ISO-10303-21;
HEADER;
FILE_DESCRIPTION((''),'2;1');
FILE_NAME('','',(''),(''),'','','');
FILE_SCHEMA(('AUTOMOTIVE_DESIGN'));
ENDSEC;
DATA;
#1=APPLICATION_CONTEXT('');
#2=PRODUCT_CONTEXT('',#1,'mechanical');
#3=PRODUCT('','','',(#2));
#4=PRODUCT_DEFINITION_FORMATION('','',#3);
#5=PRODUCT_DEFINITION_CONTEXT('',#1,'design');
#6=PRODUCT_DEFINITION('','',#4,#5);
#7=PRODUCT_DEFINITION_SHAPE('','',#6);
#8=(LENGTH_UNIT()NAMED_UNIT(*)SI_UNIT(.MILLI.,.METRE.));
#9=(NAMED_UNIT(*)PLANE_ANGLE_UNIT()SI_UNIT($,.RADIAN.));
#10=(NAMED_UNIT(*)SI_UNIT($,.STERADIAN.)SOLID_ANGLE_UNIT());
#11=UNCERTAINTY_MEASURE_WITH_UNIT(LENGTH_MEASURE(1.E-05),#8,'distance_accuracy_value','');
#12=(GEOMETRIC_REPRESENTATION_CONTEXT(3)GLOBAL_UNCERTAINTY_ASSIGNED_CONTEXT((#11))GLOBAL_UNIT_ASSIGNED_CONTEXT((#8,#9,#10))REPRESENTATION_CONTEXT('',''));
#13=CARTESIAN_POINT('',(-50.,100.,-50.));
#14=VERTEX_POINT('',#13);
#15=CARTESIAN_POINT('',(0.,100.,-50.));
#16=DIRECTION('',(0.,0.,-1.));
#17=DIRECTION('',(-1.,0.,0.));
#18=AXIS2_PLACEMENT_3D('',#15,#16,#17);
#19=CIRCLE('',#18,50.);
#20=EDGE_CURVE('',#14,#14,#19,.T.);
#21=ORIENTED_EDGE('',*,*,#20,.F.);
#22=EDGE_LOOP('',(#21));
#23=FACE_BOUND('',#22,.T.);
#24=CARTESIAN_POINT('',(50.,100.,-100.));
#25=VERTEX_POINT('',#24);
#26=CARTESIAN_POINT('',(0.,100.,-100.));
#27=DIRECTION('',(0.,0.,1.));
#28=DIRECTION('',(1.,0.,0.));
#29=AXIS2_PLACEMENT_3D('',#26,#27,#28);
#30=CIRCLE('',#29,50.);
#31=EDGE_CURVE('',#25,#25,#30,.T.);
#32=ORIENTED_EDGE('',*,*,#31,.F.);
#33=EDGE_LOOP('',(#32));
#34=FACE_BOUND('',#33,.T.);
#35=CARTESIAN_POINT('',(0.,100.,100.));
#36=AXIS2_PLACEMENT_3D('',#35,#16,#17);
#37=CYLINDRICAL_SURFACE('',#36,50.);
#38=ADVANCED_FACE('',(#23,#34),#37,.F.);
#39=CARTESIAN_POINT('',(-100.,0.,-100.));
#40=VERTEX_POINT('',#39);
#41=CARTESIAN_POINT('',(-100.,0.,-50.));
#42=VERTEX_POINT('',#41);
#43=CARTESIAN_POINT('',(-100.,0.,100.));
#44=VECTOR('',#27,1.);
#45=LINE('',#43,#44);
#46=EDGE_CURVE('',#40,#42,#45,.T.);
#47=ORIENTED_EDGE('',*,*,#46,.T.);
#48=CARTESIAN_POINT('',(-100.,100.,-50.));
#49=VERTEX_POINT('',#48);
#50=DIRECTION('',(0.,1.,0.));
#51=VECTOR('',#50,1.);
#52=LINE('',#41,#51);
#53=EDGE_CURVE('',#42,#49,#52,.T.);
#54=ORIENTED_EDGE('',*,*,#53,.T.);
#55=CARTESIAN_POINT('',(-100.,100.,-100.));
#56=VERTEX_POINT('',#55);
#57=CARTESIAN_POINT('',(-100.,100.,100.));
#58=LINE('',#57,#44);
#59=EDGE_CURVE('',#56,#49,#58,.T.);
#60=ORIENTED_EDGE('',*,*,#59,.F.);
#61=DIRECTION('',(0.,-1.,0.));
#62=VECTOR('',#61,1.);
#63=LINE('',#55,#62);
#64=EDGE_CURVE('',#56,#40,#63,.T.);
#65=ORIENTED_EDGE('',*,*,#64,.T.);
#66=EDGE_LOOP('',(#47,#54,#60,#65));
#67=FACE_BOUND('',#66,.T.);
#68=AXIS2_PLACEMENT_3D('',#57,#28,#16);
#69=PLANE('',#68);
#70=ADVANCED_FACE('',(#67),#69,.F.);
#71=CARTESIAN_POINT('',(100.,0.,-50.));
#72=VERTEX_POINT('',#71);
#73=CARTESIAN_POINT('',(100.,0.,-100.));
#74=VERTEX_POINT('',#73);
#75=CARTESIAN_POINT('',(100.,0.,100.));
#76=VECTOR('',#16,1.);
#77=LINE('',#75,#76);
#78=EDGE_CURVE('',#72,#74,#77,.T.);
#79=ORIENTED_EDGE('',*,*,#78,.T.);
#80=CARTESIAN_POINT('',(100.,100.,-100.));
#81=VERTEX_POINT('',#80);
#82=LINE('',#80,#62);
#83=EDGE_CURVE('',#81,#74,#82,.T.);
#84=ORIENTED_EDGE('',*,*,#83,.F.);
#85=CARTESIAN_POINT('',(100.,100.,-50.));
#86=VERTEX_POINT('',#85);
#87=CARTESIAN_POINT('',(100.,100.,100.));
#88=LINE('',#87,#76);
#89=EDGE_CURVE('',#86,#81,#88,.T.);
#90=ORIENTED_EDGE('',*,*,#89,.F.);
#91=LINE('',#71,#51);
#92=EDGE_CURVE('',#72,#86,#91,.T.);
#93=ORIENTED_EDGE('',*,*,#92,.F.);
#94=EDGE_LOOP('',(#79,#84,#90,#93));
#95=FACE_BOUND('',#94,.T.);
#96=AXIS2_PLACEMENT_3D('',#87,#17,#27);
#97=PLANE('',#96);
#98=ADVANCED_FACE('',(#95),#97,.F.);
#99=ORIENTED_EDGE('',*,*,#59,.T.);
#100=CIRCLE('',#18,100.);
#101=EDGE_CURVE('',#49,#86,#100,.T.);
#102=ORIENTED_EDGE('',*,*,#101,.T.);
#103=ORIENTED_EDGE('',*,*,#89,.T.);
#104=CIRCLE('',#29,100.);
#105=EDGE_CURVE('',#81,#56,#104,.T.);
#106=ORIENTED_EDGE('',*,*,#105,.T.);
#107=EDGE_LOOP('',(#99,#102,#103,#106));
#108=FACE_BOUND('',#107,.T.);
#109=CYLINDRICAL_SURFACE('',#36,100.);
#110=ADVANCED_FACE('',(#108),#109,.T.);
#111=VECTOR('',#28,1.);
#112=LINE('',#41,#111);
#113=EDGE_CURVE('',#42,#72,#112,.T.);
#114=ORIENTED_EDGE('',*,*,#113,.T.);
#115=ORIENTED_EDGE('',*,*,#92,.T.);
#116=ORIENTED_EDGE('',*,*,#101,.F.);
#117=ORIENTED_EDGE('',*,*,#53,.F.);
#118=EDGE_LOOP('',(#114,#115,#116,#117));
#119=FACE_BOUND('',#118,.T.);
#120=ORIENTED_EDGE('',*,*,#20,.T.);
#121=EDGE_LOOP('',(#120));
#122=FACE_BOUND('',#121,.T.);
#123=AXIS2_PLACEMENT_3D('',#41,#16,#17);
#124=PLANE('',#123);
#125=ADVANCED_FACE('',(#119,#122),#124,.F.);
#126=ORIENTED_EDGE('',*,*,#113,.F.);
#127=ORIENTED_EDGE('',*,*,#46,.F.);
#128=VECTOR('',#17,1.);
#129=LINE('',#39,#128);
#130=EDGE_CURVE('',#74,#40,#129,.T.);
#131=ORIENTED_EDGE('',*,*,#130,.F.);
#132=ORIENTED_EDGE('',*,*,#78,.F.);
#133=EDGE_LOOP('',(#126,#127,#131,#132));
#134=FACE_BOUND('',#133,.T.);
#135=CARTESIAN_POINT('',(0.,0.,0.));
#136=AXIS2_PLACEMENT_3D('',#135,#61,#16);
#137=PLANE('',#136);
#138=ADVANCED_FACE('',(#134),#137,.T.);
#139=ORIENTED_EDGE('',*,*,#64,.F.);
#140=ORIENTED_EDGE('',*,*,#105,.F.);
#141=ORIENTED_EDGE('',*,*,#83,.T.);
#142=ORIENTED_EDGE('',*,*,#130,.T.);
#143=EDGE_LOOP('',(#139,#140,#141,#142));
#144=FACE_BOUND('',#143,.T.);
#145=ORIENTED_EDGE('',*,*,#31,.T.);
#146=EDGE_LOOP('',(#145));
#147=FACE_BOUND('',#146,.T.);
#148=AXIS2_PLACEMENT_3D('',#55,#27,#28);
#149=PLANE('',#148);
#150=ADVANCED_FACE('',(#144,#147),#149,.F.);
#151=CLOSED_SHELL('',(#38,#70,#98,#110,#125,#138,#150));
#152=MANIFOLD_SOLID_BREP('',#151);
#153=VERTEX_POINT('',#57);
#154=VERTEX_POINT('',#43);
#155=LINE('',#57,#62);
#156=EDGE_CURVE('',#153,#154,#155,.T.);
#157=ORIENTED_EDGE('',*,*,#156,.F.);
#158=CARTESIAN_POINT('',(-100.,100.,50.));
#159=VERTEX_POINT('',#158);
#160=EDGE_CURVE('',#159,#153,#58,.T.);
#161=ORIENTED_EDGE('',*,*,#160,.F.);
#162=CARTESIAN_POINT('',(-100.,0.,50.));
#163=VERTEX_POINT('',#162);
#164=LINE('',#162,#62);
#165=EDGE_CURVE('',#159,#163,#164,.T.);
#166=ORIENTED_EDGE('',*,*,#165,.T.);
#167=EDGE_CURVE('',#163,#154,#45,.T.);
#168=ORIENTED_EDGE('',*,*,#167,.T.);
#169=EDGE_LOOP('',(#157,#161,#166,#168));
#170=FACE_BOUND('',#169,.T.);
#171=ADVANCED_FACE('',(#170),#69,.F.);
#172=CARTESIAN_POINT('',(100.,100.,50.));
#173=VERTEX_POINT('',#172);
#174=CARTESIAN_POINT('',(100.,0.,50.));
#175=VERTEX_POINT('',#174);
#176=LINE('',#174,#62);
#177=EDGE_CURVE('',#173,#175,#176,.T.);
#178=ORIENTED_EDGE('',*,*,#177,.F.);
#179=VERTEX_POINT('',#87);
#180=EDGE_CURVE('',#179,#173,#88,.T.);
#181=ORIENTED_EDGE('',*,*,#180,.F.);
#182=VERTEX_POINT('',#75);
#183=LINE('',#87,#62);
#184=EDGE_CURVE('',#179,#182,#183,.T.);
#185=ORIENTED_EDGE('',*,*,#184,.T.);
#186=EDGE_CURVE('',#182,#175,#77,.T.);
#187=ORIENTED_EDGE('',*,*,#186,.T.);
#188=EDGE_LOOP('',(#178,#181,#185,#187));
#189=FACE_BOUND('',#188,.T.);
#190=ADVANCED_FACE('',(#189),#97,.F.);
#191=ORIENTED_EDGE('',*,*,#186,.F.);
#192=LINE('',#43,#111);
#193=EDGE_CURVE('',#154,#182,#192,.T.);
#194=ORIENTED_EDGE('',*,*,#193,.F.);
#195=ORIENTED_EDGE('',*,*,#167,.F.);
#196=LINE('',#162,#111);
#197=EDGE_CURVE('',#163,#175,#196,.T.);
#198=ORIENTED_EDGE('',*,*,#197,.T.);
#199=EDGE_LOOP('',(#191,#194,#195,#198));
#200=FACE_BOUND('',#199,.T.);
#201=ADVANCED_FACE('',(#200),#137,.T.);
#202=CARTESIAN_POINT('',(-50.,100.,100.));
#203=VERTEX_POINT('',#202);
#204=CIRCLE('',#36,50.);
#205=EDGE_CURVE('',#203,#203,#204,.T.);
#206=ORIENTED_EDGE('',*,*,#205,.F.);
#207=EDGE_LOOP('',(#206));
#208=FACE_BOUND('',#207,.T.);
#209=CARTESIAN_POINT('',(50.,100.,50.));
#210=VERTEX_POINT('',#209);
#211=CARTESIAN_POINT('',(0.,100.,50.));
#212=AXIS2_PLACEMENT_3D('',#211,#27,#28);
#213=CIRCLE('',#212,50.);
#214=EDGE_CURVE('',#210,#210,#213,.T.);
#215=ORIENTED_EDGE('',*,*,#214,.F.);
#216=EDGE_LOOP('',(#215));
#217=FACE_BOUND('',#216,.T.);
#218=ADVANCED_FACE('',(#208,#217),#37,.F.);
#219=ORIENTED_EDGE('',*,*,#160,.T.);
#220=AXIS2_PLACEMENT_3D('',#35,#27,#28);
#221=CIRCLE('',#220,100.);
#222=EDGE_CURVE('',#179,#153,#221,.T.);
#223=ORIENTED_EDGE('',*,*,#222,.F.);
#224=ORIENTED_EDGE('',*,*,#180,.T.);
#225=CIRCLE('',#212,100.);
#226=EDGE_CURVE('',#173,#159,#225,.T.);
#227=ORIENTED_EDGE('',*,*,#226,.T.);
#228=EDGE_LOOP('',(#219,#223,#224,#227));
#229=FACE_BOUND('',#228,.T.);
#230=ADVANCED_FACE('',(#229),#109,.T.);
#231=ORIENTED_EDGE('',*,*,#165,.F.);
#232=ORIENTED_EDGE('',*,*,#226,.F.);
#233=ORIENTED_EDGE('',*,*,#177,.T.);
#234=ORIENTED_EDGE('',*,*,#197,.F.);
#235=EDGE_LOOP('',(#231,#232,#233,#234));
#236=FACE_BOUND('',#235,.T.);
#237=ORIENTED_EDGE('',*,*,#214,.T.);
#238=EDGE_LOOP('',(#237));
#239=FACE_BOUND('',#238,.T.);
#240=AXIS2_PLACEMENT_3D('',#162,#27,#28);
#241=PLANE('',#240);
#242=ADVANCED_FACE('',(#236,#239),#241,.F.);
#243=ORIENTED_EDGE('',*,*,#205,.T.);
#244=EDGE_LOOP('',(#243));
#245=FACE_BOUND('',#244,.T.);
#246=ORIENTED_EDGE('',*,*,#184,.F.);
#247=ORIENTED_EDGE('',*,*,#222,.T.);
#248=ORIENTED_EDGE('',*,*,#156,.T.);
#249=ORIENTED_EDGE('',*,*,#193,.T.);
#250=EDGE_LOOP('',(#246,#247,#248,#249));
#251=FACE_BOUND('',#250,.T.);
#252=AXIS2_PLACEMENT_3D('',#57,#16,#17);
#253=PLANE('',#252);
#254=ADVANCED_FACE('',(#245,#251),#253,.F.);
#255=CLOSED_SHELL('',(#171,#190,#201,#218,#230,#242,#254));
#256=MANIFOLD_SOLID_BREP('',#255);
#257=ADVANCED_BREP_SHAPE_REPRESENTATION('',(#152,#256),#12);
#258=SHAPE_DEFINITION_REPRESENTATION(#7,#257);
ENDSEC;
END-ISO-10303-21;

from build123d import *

# Parameters (mm, degrees)
SKETCH_1_W               = 200
SKETCH_1_H               = 200
EXTRUDE_1_DEPTH          = 100
EXTRUDE_2_DEPTH          = 100
CUT_EXTRUDE_1_DEPTH      = 245.948974278
CUT_EXTRUDE_1_DEPTH_BACK = 245.948974278
SKETCH_4_W               = 100
SKETCH_4_H               = 200
CUT_EXTRUDE_2_DEPTH      = 301
CUT_EXTRUDE_2_DEPTH_BACK = 301
SKETCH_5_R               = 50


with BuildPart() as part:
    # 草图1 → 凸台-拉伸1 (new body)
    with BuildSketch(Plane(origin=(0, 0, 0), x_dir=(1, 0, 0), z_dir=(0, 1, 0))):
        Rectangle(SKETCH_1_W, SKETCH_1_H)
    extrude(amount=EXTRUDE_1_DEPTH)

    # 草图2 → 凸台-拉伸2 (add, symmetric)
    with BuildSketch(Plane.XY):
        with BuildLine():
            Line((-100, 100), (100, 100))
            ThreePointArc((100, 100), (0, 200), (-100, 100))
        make_face()
    extrude(amount=EXTRUDE_2_DEPTH, both=True)

    # 草图4 → 切除-拉伸1 (cut, two sides: drawn at the far end of the back side and taken through both)
    with BuildSketch(Plane(origin=(0, 0, 0), x_dir=(0, 0, -1), z_dir=(1, 0, 0)).offset(-CUT_EXTRUDE_1_DEPTH_BACK)):
        with Locations((0, 100)):
            Rectangle(SKETCH_4_W, SKETCH_4_H)
    extrude(amount=CUT_EXTRUDE_1_DEPTH + CUT_EXTRUDE_1_DEPTH_BACK, mode=Mode.SUBTRACT)


with BuildPart() as cut_extrude_1_piece_1:
    # of the separate pieces the step leaves, piece 1, a body of its own (cut_extrude_1_pieces)
    add(part.part.solids().sort_by_distance((-100, 0, 100))[0])


with BuildPart() as cut_extrude_1_piece_2:
    # of the separate pieces the step leaves, piece 2, a body of its own (cut_extrude_1_pieces)
    add(part.part.solids().sort_by_distance((-100, 0, -100))[0])


with BuildPart() as cut_extrude_2_tool:
    # 草图5 → 切除-拉伸2 (new, two sides: drawn at the far end of the back side and taken through both)
    with BuildSketch(Plane(origin=(0, 0, -100), x_dir=(-1, 0, 0), z_dir=(0, 0, -1)).offset(-CUT_EXTRUDE_2_DEPTH_BACK)):
        with Locations((0, 100)):
            Circle(SKETCH_5_R)
    extrude(amount=CUT_EXTRUDE_2_DEPTH + CUT_EXTRUDE_2_DEPTH_BACK)


with BuildPart() as cut_extrude_1_piece_1_1:
    add(cut_extrude_1_piece_1.part)

    # 切除-拉伸2: cut by cut_extrude_2_tool
    add(cut_extrude_2_tool.part, mode=Mode.SUBTRACT)


with BuildPart() as cut_extrude_1_piece_2_1:
    add(cut_extrude_1_piece_2.part)

    # 切除-拉伸2: cut by cut_extrude_2_tool
    add(cut_extrude_2_tool.part, mode=Mode.SUBTRACT)


solid = Compound([cut_extrude_1_piece_1_1.part, cut_extrude_1_piece_2_1.part])
